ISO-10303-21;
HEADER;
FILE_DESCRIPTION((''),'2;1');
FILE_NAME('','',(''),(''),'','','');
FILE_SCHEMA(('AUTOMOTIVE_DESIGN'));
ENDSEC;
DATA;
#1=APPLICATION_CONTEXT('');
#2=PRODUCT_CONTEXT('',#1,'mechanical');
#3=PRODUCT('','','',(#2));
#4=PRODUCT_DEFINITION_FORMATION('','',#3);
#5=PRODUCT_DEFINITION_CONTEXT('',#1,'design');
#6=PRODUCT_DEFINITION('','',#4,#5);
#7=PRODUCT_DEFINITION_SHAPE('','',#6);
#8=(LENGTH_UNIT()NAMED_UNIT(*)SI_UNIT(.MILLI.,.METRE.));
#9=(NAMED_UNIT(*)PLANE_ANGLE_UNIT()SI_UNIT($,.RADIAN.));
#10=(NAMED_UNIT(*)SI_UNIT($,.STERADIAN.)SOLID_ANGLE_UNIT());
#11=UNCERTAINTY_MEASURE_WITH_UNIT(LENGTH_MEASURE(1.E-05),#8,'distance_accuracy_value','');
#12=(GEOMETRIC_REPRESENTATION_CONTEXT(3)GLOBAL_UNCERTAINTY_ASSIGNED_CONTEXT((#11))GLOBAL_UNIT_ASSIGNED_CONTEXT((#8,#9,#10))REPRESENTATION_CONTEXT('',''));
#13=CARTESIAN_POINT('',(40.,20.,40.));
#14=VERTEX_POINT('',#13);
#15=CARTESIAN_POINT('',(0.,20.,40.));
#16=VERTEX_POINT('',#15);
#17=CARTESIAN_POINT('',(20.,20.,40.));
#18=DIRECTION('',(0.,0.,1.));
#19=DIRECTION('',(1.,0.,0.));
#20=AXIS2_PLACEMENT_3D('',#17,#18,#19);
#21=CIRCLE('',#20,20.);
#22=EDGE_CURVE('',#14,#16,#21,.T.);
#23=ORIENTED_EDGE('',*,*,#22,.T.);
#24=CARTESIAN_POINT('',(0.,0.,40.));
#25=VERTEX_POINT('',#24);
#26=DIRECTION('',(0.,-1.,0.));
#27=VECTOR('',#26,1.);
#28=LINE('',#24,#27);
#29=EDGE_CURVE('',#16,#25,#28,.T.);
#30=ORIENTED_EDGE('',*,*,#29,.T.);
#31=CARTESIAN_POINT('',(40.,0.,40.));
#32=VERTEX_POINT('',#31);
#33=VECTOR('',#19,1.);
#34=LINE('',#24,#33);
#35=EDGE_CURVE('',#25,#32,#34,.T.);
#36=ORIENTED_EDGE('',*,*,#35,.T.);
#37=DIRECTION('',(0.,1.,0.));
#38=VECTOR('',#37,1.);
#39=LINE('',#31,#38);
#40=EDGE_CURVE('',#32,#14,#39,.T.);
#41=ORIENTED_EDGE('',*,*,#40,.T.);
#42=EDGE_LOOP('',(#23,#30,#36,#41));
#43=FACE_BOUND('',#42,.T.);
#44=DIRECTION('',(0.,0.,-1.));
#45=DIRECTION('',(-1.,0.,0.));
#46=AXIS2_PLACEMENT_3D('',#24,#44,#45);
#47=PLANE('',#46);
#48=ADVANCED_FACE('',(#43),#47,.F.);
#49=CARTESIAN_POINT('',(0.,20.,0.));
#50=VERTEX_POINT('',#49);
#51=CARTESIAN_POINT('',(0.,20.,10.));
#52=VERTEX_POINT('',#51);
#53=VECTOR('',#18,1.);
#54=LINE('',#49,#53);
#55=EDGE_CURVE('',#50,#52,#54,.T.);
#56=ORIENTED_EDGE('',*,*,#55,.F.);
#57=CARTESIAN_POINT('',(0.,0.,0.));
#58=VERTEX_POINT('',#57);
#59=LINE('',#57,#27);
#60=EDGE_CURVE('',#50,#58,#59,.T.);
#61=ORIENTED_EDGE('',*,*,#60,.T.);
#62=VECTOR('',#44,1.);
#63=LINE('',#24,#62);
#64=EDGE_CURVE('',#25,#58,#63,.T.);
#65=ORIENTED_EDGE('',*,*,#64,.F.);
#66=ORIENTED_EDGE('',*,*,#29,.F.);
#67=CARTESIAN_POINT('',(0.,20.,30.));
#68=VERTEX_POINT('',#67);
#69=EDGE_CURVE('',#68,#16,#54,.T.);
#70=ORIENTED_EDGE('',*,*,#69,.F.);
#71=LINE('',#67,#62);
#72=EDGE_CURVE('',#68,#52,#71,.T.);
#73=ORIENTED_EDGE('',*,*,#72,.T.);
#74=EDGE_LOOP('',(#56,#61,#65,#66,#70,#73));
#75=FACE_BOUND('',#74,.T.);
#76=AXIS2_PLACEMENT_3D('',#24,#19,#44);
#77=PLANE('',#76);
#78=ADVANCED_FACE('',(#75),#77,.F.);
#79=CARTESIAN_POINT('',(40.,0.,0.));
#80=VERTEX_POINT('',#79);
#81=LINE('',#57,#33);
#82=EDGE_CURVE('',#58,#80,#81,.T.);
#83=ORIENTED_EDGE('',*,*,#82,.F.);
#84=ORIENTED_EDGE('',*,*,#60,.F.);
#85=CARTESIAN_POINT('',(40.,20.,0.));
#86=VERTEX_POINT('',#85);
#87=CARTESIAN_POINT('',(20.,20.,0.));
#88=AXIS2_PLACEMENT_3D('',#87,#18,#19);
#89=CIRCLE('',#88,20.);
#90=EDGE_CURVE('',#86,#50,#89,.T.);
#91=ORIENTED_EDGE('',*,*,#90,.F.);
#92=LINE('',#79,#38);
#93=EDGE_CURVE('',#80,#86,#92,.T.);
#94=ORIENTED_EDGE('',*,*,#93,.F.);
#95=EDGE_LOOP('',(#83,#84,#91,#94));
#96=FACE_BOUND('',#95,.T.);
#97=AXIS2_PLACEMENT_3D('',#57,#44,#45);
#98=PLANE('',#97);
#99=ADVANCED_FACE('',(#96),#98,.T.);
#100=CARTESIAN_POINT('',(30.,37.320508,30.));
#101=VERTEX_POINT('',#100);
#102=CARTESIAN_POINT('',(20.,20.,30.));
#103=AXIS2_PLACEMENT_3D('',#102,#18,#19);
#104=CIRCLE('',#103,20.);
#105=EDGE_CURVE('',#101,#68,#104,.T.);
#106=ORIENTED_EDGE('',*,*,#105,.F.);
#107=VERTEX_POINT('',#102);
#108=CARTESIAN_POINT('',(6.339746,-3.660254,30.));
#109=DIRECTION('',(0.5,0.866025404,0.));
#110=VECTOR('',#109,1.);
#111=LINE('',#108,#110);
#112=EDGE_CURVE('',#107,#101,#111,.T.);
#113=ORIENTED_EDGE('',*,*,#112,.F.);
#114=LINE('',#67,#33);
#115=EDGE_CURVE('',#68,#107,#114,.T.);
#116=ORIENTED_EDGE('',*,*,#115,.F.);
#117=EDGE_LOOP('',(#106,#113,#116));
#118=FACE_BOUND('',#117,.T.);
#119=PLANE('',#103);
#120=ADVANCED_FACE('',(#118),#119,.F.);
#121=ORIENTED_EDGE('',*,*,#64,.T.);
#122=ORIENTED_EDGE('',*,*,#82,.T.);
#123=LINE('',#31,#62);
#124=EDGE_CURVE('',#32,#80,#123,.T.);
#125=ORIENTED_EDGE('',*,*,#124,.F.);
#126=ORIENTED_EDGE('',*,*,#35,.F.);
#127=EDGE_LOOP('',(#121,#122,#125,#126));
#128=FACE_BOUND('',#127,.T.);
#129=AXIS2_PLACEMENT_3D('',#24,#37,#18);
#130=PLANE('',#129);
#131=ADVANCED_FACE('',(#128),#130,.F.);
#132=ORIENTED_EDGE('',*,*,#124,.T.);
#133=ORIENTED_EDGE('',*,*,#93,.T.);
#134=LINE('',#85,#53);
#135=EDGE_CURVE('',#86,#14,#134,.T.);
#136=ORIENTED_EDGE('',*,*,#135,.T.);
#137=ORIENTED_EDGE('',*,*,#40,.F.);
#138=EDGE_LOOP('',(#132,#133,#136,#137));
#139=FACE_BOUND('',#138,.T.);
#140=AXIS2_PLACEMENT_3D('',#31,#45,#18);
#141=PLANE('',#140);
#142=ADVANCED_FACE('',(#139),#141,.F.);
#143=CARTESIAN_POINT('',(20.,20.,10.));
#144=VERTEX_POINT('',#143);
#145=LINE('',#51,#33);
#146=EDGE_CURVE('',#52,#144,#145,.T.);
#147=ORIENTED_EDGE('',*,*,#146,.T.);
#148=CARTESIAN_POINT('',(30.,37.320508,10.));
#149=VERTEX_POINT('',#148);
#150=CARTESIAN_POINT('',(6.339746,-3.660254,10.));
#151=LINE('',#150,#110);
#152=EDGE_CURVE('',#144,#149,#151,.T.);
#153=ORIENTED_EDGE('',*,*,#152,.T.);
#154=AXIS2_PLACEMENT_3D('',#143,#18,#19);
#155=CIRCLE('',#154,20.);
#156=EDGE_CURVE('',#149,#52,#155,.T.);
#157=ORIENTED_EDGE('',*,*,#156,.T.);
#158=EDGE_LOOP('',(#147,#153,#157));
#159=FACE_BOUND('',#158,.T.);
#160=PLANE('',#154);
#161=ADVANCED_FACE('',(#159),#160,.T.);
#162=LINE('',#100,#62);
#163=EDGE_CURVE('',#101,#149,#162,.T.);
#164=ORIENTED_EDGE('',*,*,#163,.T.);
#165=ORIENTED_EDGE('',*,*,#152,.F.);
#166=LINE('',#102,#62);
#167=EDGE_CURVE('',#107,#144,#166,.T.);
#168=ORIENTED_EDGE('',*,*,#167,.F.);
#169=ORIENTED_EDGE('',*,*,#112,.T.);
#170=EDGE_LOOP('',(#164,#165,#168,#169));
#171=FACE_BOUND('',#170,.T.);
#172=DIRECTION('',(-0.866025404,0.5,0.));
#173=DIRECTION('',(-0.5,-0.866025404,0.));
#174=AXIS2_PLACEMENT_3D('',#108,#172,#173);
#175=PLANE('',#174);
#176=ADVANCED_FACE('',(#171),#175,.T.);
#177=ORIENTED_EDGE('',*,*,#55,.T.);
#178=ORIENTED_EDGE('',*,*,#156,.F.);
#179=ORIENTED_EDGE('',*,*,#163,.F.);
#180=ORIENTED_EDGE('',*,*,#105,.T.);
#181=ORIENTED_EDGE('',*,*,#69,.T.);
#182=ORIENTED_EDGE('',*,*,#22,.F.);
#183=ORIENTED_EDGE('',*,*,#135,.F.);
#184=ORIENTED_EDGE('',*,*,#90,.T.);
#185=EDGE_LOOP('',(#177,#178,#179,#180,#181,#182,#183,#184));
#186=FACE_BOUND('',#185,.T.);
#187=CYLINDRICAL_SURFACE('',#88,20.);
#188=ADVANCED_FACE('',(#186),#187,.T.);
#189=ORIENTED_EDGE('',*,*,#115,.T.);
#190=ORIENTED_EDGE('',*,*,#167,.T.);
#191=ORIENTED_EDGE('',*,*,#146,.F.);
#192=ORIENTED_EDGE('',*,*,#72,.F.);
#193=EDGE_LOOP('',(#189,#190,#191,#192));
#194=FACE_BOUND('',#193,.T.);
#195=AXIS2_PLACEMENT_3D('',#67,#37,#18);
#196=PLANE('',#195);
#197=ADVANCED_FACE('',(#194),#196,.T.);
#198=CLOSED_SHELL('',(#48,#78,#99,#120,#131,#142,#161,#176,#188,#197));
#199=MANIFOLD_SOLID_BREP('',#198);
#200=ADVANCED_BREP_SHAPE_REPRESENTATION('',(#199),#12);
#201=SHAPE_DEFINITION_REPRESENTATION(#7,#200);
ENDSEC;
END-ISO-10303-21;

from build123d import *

# Parameters (mm, degrees)
SKETCH1_W           = 40
SKETCH1_H           = 40
BOSS_EXTRUDE1_DEPTH = 40
CUT_EXTRUDE1_DEPTH  = 40
CUT_EXTRUDE2_DEPTH  = 20
CUT_EXTRUDE3_DEPTH  = 30
BOSS_EXTRUDE2_DEPTH = 10
BOSS_EXTRUDE3_DEPTH = 20


with BuildPart() as part:
    # Sketch1 → Boss-Extrude1 (new body)
    with BuildSketch(Plane.XY):
        with Locations((20, 20)):
            Rectangle(SKETCH1_W, SKETCH1_H)
    extrude(amount=BOSS_EXTRUDE1_DEPTH)

    # Sketch2 → Cut-Extrude1 (cut)
    with BuildSketch(Plane.XY.offset(40)):
        with BuildLine():
            Line((0, 40), (0, 20))
            ThreePointArc((0, 20), (5.857864376, 34.142135624), (20, 40))
            Line((20, 40), (0, 40))
        make_face()
        with BuildLine():
            Line((40, 40), (20, 40))
            ThreePointArc((20, 40), (34.142135624, 34.142135624), (40, 20))
            Line((40, 20), (40, 40))
        make_face()
    extrude(amount=-CUT_EXTRUDE1_DEPTH, mode=Mode.SUBTRACT)

    # Sketch3 → Cut-Extrude2 (cut)
    with BuildSketch(Plane.XY.offset(10)):
        with BuildLine():
            Line((0, 20), (20, 20))
            Line((20, 20), (20, 40))
            ThreePointArc((20, 40), (5.857864376, 34.142135624), (0, 20))
        make_face()
    extrude(amount=CUT_EXTRUDE2_DEPTH, mode=Mode.SUBTRACT)

    # Sketch4 → Cut-Extrude3 (cut)
    with BuildSketch(Plane.XY.offset(40)):
        with BuildLine():
            Line((20, 20), (20, 40))
            ThreePointArc((20, 40), (27.653668647, 38.47759065), (34.142135624, 34.142135624))
            Line((34.142135624, 34.142135624), (20, 20))
        make_face()
    extrude(amount=-CUT_EXTRUDE3_DEPTH, mode=Mode.SUBTRACT)

    # Sketch5 → Boss-Extrude2 (add)
    with BuildSketch(Plane.XY.offset(40)):
        with BuildLine():
            Line((20, 40), (20, 20))
            Line((20, 20), (34.142135624, 34.142135624))
            ThreePointArc((34.142135624, 34.142135624), (27.653668647, 38.47759065), (20, 40))
        make_face()
    extrude(amount=-BOSS_EXTRUDE2_DEPTH)

    # Sketch6 → Boss-Extrude3 (add)
    with BuildSketch(Plane.XY.offset(10)):
        with BuildLine():
            Line((20, 20), (34.142135624, 34.142135624))
            ThreePointArc((34.142135624, 34.142135624), (32.17522858, 35.867066806), (30, 37.320508076))
            Line((30, 37.320508076), (20, 20))
        make_face()
    extrude(amount=BOSS_EXTRUDE3_DEPTH)


solid = part.part
